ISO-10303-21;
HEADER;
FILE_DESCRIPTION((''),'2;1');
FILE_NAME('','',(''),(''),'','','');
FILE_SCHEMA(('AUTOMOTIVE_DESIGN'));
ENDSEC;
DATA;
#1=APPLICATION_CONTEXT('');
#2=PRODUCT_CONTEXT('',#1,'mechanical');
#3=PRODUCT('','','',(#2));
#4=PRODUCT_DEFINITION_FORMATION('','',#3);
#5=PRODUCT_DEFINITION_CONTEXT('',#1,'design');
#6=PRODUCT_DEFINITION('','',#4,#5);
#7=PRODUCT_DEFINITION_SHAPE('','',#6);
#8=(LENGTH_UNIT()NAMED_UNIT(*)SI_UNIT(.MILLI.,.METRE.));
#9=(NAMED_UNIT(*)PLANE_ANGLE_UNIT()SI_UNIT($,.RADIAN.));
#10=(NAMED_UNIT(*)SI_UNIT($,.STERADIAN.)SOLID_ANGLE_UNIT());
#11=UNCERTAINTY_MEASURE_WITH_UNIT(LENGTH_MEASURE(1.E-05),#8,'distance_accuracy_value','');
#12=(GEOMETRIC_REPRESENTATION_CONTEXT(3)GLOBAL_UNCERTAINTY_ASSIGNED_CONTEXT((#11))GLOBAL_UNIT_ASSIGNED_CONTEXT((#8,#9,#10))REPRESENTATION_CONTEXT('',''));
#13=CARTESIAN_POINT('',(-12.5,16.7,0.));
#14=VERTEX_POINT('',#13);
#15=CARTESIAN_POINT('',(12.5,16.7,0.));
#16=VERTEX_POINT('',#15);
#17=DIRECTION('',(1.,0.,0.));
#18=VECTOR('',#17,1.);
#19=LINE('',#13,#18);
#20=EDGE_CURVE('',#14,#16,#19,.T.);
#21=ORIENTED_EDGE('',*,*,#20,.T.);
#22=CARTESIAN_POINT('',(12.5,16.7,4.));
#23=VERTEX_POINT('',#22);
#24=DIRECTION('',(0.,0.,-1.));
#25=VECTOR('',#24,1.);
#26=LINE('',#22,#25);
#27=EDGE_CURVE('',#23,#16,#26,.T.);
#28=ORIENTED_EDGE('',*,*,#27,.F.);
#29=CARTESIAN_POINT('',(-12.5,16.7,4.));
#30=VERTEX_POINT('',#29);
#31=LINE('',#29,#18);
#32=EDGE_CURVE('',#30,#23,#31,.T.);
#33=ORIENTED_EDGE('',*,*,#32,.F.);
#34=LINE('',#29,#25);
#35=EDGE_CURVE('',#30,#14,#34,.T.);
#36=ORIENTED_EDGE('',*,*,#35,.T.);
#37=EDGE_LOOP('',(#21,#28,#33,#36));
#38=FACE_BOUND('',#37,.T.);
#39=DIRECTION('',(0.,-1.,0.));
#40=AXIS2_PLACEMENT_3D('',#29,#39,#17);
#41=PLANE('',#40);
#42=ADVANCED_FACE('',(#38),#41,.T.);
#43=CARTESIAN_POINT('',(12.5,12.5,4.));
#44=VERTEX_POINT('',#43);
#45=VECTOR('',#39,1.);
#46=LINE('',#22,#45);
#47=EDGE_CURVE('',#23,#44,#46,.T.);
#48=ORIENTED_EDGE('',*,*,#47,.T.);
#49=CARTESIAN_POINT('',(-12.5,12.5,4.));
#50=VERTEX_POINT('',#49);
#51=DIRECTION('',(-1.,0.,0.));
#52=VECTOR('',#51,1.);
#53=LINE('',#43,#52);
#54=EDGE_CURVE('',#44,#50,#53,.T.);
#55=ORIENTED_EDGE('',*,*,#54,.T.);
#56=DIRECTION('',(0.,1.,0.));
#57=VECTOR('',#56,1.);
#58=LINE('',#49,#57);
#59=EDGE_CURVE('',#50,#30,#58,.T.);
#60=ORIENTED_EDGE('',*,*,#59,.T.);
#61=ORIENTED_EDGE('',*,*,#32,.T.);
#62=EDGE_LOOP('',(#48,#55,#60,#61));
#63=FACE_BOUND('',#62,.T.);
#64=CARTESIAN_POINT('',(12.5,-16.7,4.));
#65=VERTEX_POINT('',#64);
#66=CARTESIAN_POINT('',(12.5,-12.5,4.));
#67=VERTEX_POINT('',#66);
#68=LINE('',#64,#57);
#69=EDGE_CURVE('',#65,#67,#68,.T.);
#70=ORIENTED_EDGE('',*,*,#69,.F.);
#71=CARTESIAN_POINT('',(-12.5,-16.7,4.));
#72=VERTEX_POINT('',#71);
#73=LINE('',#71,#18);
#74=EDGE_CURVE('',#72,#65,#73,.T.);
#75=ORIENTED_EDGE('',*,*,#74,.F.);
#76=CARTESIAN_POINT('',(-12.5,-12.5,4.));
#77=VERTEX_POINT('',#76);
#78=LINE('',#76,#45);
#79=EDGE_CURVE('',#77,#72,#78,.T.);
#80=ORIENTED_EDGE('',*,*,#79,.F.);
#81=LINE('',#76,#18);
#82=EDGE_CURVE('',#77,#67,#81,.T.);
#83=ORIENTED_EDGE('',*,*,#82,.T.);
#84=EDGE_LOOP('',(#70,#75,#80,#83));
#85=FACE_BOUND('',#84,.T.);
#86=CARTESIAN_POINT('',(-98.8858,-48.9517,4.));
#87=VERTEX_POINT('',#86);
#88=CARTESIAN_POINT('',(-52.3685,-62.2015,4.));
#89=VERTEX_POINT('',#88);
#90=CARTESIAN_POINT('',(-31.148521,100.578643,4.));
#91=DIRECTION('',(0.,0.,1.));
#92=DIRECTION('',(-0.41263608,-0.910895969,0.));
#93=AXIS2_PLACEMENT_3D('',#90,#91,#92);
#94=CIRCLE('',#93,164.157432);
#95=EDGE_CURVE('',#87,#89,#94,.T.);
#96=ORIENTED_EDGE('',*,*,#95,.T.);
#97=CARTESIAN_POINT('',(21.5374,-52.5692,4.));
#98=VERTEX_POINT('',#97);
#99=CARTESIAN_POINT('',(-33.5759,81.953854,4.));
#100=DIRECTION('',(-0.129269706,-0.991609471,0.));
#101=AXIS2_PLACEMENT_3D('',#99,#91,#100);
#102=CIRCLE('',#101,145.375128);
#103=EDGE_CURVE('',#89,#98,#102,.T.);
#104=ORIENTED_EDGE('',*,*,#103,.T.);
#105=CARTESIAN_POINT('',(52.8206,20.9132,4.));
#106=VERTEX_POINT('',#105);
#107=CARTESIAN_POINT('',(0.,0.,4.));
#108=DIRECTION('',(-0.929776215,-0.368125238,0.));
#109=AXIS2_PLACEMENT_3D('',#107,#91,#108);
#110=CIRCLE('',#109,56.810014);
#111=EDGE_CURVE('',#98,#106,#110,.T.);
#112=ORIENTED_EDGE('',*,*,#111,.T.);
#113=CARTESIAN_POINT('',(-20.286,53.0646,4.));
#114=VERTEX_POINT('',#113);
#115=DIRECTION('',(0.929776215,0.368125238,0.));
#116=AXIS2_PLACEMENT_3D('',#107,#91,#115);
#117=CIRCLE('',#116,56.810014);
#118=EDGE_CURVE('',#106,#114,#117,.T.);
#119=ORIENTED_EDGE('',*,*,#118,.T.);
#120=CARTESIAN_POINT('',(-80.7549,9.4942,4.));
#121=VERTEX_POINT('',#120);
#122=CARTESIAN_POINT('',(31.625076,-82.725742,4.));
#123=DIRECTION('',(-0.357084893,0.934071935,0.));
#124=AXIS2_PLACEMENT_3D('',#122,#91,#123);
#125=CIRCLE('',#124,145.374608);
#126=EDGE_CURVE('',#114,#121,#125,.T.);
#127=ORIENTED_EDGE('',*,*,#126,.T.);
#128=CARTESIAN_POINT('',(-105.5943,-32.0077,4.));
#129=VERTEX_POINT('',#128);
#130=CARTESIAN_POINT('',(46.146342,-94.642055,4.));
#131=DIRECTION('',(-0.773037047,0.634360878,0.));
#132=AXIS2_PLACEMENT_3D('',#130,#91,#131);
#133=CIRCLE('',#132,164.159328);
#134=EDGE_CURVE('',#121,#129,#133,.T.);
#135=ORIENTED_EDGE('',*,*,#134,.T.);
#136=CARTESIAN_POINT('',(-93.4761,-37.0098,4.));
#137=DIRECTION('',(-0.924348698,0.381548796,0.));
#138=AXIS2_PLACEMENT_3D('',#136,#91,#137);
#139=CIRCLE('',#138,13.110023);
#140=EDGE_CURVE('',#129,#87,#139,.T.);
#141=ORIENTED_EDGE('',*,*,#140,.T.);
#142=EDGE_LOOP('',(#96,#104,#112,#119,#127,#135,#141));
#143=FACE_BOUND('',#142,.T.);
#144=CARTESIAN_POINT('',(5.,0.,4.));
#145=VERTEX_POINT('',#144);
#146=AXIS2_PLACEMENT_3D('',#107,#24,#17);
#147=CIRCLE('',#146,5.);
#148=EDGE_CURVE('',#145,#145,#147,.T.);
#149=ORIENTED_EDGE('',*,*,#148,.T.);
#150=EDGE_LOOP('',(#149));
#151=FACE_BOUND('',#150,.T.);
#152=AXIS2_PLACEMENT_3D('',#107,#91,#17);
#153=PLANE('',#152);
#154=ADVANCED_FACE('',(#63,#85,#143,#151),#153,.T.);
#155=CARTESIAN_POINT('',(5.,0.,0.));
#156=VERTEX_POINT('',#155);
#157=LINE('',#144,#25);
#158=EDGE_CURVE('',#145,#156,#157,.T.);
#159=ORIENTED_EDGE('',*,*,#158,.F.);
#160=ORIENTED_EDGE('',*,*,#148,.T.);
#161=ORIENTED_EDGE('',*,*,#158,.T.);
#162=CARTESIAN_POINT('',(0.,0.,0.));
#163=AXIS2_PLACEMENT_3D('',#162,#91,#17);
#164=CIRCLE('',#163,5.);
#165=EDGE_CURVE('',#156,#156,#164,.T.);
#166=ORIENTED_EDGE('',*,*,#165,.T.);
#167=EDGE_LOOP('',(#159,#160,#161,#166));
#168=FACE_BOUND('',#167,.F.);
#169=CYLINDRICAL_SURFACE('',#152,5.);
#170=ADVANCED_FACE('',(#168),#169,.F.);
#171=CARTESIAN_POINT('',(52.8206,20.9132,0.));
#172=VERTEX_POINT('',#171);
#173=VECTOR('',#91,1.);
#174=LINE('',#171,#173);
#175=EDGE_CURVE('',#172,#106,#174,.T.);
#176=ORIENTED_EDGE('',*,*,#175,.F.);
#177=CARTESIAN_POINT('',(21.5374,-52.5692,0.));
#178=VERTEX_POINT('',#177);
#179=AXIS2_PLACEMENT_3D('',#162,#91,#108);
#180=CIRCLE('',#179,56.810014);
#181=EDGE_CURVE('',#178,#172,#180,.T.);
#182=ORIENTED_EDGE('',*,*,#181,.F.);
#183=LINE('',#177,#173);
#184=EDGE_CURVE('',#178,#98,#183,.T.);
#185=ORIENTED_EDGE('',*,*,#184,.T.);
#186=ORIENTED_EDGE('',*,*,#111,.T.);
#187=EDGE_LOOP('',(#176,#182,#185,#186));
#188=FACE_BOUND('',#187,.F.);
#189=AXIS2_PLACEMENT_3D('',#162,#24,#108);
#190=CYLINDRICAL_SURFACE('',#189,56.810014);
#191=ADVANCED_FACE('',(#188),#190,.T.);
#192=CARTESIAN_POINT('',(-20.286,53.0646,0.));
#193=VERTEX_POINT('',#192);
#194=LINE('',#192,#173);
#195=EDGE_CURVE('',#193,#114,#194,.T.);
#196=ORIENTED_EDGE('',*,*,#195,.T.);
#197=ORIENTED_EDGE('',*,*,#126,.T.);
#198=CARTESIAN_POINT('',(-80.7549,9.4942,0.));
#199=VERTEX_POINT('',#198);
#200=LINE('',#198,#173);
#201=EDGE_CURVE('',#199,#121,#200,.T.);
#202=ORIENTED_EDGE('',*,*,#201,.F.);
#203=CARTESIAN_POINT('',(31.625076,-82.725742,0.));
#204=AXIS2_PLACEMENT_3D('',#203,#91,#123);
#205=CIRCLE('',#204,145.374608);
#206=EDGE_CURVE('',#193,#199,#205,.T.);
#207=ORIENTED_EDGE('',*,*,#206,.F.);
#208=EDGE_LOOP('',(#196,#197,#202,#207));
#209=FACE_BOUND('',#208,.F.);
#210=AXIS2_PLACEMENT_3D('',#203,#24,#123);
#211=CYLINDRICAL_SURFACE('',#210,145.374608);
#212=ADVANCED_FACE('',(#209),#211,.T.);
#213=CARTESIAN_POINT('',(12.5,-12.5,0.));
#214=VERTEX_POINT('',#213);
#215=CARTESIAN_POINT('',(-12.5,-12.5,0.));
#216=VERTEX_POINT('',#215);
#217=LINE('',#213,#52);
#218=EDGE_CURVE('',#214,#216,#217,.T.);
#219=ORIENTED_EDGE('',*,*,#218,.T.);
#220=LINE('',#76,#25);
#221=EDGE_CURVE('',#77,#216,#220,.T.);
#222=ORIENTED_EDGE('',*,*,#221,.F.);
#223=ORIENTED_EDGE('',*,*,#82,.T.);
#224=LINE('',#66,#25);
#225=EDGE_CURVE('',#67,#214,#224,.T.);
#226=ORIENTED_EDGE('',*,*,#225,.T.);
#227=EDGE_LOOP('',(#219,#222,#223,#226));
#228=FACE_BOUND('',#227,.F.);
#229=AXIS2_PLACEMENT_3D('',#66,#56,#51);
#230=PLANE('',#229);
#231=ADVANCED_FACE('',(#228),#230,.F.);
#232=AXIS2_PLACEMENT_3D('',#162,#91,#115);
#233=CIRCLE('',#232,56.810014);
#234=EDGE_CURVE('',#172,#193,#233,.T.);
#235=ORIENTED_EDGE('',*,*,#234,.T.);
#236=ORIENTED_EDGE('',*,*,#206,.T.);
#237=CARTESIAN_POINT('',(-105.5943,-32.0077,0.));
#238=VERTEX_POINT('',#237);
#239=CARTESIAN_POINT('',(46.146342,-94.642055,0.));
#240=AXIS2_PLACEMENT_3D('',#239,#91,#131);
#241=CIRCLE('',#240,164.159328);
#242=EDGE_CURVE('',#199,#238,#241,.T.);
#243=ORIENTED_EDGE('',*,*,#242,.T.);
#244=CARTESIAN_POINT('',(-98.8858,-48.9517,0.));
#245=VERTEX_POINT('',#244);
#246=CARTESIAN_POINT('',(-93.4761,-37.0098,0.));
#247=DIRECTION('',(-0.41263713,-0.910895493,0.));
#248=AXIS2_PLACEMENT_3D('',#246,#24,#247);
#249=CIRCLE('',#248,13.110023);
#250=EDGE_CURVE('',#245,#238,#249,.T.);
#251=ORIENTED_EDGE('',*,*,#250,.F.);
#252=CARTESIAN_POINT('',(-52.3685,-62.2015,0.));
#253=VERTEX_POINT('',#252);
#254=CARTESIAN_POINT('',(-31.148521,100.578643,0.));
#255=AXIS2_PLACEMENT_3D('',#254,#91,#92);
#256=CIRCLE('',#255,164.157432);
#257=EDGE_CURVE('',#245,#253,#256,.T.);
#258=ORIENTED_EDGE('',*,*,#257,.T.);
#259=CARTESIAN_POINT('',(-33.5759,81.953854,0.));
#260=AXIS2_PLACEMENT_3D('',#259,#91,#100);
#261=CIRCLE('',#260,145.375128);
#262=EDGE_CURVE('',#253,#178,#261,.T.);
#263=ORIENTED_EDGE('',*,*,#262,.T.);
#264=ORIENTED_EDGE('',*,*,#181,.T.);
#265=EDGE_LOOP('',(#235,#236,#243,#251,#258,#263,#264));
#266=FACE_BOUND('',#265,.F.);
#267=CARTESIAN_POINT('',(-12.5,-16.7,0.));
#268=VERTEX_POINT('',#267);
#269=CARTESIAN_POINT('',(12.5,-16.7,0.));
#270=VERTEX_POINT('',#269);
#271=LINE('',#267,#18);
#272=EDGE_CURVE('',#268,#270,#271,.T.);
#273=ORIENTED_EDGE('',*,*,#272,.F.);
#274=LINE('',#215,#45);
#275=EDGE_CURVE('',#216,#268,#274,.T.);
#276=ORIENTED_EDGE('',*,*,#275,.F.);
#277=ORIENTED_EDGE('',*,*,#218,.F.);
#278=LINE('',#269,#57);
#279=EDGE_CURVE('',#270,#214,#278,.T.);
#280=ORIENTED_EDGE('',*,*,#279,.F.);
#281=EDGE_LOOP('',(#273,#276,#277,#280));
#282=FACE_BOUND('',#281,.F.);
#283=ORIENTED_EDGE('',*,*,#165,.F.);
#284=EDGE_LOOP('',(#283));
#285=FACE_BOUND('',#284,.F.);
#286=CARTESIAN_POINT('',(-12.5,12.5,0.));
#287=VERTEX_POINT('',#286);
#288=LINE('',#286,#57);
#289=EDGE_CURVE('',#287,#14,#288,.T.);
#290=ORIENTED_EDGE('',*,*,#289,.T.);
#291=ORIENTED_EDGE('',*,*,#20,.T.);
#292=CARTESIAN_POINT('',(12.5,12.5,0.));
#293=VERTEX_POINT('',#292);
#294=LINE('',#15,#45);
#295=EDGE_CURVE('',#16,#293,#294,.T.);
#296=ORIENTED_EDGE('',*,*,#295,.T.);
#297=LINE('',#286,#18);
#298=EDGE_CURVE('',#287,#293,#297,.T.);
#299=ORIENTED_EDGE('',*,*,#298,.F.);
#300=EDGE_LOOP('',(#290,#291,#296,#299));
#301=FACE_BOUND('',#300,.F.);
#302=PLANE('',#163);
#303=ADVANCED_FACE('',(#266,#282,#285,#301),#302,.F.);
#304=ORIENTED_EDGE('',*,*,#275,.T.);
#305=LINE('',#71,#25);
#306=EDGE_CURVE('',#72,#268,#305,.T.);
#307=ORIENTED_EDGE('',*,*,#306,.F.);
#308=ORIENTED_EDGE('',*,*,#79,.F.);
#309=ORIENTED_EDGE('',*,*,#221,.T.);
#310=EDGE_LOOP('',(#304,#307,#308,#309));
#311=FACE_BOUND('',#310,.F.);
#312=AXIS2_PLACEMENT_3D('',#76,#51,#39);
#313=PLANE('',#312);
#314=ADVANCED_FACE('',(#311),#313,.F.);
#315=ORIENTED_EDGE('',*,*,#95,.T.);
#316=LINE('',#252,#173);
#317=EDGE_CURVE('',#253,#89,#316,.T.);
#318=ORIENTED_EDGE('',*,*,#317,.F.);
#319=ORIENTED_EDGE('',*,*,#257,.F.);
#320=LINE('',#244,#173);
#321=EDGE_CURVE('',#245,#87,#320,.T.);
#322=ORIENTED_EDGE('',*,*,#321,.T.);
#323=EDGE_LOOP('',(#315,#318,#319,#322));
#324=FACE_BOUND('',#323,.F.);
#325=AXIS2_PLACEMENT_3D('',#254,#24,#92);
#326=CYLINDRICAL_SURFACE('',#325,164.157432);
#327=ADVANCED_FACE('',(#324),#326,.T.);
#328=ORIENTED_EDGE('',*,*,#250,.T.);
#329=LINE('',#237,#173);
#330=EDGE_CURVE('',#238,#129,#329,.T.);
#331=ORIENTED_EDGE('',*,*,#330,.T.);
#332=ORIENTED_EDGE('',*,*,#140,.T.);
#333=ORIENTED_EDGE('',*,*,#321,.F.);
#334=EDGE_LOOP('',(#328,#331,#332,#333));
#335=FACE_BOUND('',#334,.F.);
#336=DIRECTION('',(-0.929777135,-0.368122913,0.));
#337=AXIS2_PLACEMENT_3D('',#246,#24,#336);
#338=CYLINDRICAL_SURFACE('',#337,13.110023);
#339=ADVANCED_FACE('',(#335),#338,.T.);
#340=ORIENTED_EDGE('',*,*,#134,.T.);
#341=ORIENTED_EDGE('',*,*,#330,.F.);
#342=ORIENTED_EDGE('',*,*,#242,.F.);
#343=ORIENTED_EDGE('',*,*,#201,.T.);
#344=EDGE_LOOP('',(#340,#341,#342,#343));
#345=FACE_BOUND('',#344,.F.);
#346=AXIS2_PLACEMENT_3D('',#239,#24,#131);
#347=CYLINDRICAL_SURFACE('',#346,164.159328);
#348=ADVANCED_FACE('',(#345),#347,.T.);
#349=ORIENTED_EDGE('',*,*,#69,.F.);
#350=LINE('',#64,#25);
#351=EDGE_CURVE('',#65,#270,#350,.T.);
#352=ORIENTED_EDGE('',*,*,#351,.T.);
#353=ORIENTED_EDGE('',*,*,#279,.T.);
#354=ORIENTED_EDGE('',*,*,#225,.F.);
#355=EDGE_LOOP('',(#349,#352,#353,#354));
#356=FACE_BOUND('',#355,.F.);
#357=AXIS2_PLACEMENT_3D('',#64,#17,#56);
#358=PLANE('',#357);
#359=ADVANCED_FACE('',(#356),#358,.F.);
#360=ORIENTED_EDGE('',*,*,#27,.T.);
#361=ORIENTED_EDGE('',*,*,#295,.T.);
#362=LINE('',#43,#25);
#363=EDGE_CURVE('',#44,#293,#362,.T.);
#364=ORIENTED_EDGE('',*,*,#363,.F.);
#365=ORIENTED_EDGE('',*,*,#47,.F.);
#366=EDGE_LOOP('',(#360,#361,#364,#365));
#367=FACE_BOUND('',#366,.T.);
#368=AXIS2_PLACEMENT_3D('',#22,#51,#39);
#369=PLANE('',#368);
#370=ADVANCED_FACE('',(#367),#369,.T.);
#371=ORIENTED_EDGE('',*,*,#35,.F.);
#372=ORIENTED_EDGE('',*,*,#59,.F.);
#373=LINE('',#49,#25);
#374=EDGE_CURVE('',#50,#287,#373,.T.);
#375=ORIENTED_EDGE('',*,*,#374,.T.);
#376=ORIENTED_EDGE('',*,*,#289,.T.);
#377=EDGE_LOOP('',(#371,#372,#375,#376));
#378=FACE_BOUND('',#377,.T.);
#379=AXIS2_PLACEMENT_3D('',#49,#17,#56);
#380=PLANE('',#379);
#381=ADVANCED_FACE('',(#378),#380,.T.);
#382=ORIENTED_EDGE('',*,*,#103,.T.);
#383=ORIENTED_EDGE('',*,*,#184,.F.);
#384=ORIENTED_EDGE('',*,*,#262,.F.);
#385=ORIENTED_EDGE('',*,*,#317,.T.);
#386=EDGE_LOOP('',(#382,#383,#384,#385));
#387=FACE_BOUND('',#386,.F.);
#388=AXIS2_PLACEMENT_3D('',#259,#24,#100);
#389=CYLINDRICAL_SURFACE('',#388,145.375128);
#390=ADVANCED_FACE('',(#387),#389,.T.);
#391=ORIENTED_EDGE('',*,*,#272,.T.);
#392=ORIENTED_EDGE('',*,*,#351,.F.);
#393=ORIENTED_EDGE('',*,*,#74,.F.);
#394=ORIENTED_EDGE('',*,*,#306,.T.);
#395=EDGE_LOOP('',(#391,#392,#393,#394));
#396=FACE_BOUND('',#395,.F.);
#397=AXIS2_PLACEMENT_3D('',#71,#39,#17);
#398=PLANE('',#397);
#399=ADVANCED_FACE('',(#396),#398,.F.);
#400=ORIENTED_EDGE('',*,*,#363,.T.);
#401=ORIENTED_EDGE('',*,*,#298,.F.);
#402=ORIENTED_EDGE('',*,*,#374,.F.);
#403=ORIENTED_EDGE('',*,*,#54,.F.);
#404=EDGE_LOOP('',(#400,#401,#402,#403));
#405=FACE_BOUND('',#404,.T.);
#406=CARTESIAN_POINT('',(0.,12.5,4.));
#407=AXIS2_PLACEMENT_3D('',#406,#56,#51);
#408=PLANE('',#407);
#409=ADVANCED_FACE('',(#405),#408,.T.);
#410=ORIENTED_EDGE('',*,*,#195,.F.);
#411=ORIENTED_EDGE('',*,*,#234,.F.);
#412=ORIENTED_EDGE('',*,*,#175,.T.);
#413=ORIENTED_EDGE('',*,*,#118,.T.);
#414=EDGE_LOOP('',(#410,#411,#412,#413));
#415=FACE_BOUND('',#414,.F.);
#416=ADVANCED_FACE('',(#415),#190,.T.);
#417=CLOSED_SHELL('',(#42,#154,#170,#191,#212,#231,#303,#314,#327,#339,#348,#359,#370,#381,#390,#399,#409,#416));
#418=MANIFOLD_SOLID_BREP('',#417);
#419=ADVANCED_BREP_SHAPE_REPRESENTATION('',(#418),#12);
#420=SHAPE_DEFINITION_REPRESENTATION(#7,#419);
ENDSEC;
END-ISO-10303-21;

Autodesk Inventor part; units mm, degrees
ref_plane "YZ Plane" through (0, 0, 0) normal (1, 0, 0) x (0, 1, 0)
ref_plane "XZ Plane" through (0, 0, 0) normal (0, 1, 0) x (-1, 0, 0)
ref_plane "XY Plane" through (0, 0, 0) normal (0, 0, 1) x (1, 0, 0)
sketch "Boceto1" plane through (0, 0, 0) normal (0, 0, 1) x (1, 0, 0)
  arc A0 (52.8206, 20.9132) -> (-52.8206, -20.9132) centre (0, 0) ccw
  arc A1 (-81.2867, -32.1837) -> (-105.6655, -41.8359) centre (-93.4761, -37.0098) ccw
  line L0 (-109.1946, -43.2332) -> (-114.0207, -31.0438)
  line L1 (-20.286, 53.0646) -> (-28.3295, 73.3802)
  line L2 (-28.3295, 73.3802) -> (-114.0207, -31.0438)
  line L3 (-114.0207, -31.0438) -> (-80.7549, 9.4942)
  arc A2 (-20.286, 53.0646) -> (-80.7549, 9.4942) centre (31.625, -82.7256) ccw
  arc A3 (-80.7549, 9.4942) -> (-105.5943, -32.0077) centre (46.1474, -94.6428) ccw
  line L4 (4.0631, 1.6087) -> (52.8206, 20.9132)
  line L5 (-4.0631, -1.6087) -> (-109.1946, -43.2332)
  arc A4 (-52.8206, -20.9132) -> (52.8206, 20.9132) centre (0, 0) ccw
  arc A5 (-105.6655, -41.8359) -> (-81.2867, -32.1837) centre (-93.4761, -37.0098) ccw
  line L6 (-109.1946, -43.2332) -> (-104.3685, -55.4226)
  line L7 (21.5374, -52.5692) -> (29.5809, -72.8848)
  line L8 (29.5809, -72.8848) -> (-104.3685, -55.4226)
  line L9 (-104.3685, -55.4226) -> (-52.3685, -62.2015)
  arc A6 (-52.3685, -62.2015) -> (21.5374, -52.5692) centre (-33.5759, 81.9532) ccw
  arc A7 (-98.8858, -48.9517) -> (-52.3685, -62.2015) centre (-31.1474, 100.5817) ccw
  dimension "d0" = 113.62
  dimension "d6" = 26.22
  dimension "d7" = 13.11
  dimension "d8" = 21.85
  dimension "d9" = 52.44
extrude "Extrusión2" add sketch "Boceto1" along normal blind 4 contours A4 A0 | A0 L5 A1 A3 A2 | A6 A7 A5 L5 A4 | L5 A1 | A5 L5
sketch "Boceto2" plane through (0, 0, 4) normal (0, 0, 1) x (1, 0, 0)
  line L0 (0, 0) -> (0, 12.5)
  line L1 (0, 12.5) -> (-12.5, 12.5)
  line L2 (-12.5, 12.5) -> (-12.5, 16.7)
  line L3 (-12.5, 16.7) -> (12.5, 16.7)
  line L4 (12.5, 16.7) -> (12.5, 12.5)
  line L5 (12.5, 12.5) -> (0, 12.5)
  line L6 (0, 0) -> (12.5, 0)
  line L7 (0, 0) -> (0, -12.5)
  line L8 (0, -12.5) -> (-12.5, -12.5)
  line L9 (-12.5, -12.5) -> (-12.5, -16.7)
  line L10 (-12.5, -16.7) -> (12.5, -16.7)
  line L11 (12.5, -16.7) -> (12.5, -12.5)
  line L12 (12.5, -12.5) -> (0, -12.5)
  circle A0 centre (0, 0) radius 5
  dimension "d24" = 12.5
  dimension "d25" = 12.5
  dimension "d26" = 4.2
  dimension "d27" = 25
  dimension "d28" = 10
extrude "Extrusión3" cut sketch "Boceto2" against normal blind 4
properties part number "leva00" material "Madera (abedul)"
